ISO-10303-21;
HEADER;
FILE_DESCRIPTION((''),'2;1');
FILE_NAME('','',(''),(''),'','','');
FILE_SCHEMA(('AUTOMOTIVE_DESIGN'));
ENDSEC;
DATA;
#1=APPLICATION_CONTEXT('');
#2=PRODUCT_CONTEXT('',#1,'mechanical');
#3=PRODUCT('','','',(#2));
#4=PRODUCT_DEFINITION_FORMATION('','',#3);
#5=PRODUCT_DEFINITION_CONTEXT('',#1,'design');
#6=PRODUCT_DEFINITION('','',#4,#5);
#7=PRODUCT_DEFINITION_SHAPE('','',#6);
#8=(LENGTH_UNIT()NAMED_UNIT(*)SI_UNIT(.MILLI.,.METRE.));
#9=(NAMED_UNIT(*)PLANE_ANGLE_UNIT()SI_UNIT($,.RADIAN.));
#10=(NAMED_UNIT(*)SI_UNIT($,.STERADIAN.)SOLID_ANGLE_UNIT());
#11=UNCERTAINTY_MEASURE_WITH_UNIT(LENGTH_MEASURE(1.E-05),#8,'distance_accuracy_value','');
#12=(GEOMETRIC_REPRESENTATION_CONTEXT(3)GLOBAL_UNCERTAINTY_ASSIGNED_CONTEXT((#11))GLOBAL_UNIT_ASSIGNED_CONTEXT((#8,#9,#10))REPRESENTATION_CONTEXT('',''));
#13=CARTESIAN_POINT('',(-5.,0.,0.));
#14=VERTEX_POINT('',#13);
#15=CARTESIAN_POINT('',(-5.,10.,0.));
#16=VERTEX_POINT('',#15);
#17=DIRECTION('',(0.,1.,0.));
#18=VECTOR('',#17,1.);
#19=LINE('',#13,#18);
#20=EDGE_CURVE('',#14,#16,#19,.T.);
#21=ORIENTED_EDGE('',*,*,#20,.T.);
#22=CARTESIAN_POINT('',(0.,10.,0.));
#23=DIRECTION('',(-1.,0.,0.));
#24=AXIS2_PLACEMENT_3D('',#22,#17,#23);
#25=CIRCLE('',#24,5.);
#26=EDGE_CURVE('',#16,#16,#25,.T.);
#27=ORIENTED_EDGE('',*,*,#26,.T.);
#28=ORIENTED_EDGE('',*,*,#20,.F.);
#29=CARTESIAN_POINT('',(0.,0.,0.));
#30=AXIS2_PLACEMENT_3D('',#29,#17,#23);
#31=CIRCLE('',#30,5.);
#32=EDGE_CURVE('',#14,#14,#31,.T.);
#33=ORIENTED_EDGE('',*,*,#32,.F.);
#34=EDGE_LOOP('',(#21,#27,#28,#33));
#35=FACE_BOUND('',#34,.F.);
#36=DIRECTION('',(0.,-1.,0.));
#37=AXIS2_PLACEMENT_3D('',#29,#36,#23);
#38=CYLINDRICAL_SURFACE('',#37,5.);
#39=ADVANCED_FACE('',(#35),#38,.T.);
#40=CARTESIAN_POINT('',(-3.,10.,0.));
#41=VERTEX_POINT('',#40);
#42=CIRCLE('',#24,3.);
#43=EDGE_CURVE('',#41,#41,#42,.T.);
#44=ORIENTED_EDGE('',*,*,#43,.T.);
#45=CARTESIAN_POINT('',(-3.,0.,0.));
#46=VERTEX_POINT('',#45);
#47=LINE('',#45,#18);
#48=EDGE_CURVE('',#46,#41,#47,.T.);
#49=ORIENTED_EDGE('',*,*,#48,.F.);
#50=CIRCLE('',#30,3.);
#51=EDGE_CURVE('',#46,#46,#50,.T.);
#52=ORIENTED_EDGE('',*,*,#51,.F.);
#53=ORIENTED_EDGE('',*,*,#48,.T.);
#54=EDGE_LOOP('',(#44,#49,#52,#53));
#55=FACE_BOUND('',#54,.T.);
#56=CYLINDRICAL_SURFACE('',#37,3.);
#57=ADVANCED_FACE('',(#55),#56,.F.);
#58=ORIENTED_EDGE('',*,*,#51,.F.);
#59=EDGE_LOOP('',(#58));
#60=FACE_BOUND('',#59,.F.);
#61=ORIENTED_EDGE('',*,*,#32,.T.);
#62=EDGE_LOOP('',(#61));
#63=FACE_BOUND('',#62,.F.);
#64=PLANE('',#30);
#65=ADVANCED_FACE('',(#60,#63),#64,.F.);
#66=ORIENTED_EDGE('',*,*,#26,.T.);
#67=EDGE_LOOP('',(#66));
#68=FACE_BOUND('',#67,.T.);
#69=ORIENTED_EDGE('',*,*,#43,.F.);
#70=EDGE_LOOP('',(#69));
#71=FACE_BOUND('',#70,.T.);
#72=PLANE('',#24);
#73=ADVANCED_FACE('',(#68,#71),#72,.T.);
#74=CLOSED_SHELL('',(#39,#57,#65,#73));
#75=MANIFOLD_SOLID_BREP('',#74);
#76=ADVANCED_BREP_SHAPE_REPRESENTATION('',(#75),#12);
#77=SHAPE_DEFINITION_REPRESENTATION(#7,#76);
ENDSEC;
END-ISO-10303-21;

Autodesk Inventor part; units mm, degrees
ref_plane "YZ Plane" through (0, 0, 0) normal (1, 0, 0) x (0, 1, 0)
ref_plane "XZ Plane" through (0, 0, 0) normal (0, 1, 0) x (-1, 0, 0)
ref_plane "XY Plane" through (0, 0, 0) normal (0, 0, 1) x (1, 0, 0)
sketch "Sketch1" plane through (0, 0, 0) normal (0, 1, 0) x (-1, 0, 0)
  circle A0 centre (0, 0) radius 5
  circle A1 centre (0, 0) radius 3
  dimension "d0" = 6
  dimension "d1" = 10
extrude "Extrusion1" add sketch "Sketch1" along normal blind 10
properties part number "Ceramics_10_10_6"
